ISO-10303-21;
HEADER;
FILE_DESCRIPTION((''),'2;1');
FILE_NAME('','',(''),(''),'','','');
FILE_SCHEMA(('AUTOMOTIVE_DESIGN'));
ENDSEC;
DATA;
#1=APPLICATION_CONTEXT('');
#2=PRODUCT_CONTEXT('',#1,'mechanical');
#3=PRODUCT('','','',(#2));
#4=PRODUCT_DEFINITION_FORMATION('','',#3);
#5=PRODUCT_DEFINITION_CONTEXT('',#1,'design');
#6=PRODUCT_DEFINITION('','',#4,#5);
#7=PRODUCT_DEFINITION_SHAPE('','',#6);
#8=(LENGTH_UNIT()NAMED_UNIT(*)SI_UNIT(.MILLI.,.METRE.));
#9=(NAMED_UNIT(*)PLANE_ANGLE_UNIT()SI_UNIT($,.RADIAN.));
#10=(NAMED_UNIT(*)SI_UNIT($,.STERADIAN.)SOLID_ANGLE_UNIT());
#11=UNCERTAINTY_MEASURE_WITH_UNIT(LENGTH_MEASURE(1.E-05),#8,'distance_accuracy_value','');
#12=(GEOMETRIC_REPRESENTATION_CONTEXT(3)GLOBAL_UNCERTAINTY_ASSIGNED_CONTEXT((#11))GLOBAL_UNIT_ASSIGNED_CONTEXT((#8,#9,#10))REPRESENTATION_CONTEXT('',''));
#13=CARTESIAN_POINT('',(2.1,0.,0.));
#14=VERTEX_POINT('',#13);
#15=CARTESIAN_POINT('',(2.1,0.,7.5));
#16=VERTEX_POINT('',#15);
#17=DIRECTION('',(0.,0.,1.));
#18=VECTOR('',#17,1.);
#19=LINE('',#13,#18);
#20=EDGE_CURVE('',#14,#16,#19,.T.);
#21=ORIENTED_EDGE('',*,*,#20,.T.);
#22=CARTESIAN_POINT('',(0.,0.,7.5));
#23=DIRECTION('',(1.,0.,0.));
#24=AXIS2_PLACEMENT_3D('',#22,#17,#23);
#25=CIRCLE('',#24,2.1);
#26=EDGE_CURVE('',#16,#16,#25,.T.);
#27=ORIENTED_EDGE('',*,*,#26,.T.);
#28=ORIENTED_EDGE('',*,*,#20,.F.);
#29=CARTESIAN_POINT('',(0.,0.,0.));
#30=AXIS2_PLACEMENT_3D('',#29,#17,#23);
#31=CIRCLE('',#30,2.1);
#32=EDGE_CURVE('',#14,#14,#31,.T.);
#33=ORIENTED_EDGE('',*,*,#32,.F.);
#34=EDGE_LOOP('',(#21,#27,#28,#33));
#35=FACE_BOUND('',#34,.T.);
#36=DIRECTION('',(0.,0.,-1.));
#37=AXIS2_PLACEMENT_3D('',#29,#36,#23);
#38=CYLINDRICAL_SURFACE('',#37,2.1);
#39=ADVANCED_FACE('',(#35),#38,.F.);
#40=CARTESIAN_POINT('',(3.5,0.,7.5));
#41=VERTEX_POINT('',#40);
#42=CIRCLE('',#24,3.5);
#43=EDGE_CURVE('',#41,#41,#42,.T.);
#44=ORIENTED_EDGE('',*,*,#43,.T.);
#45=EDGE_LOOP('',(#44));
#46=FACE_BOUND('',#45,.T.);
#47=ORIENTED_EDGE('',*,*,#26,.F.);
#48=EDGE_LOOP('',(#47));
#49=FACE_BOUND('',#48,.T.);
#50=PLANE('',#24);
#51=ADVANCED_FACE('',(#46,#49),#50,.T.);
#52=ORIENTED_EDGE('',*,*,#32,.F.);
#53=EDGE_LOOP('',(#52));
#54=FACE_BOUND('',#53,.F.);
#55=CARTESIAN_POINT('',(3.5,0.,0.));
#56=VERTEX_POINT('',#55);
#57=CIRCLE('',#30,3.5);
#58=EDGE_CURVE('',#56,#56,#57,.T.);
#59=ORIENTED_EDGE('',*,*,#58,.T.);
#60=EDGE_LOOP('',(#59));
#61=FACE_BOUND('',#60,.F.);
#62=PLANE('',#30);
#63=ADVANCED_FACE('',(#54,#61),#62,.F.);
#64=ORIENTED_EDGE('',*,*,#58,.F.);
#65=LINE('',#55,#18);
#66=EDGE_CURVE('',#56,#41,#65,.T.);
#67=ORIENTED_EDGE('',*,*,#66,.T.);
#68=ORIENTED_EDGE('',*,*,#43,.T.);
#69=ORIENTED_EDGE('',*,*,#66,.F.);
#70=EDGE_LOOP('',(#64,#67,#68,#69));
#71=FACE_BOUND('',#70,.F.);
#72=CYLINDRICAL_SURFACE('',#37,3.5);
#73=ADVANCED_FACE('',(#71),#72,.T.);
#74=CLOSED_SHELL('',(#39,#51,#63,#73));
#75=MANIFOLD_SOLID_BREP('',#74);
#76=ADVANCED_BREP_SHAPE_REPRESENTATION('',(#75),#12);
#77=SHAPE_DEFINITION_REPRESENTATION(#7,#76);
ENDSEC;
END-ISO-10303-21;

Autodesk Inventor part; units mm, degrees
ref_plane "YZ Plane" through (0, 0, 0) normal (1, 0, 0) x (0, 1, 0)
ref_plane "XZ Plane" through (0, 0, 0) normal (0, 1, 0) x (-1, 0, 0)
ref_plane "XY Plane" through (0, 0, 0) normal (0, 0, 1) x (1, 0, 0)
sketch "Sketch1" plane through (0, 0, 0) normal (0, 0, 1) x (1, 0, 0)
  circle A0 centre (0, 0) radius 2.1
  circle A1 centre (0, 0) radius 3.5
  dimension "d0" = 4.2
  dimension "d1" = 7
extrude "Extrusion1" add sketch "Sketch1" along normal blind 7.5
sketch "Sketch2" plane through (0, 0, 7.5) normal (0, 0, 1) x (1, 0, 0)
  circle A0 centre (0, 0) radius 2.1 projected
  circle A1 centre (0, 0) radius 2.95
  dimension "d4" = 5.9
extrude "Extrusion2" [suppressed]
properties part number "spacer 4mmx7_5mm"
